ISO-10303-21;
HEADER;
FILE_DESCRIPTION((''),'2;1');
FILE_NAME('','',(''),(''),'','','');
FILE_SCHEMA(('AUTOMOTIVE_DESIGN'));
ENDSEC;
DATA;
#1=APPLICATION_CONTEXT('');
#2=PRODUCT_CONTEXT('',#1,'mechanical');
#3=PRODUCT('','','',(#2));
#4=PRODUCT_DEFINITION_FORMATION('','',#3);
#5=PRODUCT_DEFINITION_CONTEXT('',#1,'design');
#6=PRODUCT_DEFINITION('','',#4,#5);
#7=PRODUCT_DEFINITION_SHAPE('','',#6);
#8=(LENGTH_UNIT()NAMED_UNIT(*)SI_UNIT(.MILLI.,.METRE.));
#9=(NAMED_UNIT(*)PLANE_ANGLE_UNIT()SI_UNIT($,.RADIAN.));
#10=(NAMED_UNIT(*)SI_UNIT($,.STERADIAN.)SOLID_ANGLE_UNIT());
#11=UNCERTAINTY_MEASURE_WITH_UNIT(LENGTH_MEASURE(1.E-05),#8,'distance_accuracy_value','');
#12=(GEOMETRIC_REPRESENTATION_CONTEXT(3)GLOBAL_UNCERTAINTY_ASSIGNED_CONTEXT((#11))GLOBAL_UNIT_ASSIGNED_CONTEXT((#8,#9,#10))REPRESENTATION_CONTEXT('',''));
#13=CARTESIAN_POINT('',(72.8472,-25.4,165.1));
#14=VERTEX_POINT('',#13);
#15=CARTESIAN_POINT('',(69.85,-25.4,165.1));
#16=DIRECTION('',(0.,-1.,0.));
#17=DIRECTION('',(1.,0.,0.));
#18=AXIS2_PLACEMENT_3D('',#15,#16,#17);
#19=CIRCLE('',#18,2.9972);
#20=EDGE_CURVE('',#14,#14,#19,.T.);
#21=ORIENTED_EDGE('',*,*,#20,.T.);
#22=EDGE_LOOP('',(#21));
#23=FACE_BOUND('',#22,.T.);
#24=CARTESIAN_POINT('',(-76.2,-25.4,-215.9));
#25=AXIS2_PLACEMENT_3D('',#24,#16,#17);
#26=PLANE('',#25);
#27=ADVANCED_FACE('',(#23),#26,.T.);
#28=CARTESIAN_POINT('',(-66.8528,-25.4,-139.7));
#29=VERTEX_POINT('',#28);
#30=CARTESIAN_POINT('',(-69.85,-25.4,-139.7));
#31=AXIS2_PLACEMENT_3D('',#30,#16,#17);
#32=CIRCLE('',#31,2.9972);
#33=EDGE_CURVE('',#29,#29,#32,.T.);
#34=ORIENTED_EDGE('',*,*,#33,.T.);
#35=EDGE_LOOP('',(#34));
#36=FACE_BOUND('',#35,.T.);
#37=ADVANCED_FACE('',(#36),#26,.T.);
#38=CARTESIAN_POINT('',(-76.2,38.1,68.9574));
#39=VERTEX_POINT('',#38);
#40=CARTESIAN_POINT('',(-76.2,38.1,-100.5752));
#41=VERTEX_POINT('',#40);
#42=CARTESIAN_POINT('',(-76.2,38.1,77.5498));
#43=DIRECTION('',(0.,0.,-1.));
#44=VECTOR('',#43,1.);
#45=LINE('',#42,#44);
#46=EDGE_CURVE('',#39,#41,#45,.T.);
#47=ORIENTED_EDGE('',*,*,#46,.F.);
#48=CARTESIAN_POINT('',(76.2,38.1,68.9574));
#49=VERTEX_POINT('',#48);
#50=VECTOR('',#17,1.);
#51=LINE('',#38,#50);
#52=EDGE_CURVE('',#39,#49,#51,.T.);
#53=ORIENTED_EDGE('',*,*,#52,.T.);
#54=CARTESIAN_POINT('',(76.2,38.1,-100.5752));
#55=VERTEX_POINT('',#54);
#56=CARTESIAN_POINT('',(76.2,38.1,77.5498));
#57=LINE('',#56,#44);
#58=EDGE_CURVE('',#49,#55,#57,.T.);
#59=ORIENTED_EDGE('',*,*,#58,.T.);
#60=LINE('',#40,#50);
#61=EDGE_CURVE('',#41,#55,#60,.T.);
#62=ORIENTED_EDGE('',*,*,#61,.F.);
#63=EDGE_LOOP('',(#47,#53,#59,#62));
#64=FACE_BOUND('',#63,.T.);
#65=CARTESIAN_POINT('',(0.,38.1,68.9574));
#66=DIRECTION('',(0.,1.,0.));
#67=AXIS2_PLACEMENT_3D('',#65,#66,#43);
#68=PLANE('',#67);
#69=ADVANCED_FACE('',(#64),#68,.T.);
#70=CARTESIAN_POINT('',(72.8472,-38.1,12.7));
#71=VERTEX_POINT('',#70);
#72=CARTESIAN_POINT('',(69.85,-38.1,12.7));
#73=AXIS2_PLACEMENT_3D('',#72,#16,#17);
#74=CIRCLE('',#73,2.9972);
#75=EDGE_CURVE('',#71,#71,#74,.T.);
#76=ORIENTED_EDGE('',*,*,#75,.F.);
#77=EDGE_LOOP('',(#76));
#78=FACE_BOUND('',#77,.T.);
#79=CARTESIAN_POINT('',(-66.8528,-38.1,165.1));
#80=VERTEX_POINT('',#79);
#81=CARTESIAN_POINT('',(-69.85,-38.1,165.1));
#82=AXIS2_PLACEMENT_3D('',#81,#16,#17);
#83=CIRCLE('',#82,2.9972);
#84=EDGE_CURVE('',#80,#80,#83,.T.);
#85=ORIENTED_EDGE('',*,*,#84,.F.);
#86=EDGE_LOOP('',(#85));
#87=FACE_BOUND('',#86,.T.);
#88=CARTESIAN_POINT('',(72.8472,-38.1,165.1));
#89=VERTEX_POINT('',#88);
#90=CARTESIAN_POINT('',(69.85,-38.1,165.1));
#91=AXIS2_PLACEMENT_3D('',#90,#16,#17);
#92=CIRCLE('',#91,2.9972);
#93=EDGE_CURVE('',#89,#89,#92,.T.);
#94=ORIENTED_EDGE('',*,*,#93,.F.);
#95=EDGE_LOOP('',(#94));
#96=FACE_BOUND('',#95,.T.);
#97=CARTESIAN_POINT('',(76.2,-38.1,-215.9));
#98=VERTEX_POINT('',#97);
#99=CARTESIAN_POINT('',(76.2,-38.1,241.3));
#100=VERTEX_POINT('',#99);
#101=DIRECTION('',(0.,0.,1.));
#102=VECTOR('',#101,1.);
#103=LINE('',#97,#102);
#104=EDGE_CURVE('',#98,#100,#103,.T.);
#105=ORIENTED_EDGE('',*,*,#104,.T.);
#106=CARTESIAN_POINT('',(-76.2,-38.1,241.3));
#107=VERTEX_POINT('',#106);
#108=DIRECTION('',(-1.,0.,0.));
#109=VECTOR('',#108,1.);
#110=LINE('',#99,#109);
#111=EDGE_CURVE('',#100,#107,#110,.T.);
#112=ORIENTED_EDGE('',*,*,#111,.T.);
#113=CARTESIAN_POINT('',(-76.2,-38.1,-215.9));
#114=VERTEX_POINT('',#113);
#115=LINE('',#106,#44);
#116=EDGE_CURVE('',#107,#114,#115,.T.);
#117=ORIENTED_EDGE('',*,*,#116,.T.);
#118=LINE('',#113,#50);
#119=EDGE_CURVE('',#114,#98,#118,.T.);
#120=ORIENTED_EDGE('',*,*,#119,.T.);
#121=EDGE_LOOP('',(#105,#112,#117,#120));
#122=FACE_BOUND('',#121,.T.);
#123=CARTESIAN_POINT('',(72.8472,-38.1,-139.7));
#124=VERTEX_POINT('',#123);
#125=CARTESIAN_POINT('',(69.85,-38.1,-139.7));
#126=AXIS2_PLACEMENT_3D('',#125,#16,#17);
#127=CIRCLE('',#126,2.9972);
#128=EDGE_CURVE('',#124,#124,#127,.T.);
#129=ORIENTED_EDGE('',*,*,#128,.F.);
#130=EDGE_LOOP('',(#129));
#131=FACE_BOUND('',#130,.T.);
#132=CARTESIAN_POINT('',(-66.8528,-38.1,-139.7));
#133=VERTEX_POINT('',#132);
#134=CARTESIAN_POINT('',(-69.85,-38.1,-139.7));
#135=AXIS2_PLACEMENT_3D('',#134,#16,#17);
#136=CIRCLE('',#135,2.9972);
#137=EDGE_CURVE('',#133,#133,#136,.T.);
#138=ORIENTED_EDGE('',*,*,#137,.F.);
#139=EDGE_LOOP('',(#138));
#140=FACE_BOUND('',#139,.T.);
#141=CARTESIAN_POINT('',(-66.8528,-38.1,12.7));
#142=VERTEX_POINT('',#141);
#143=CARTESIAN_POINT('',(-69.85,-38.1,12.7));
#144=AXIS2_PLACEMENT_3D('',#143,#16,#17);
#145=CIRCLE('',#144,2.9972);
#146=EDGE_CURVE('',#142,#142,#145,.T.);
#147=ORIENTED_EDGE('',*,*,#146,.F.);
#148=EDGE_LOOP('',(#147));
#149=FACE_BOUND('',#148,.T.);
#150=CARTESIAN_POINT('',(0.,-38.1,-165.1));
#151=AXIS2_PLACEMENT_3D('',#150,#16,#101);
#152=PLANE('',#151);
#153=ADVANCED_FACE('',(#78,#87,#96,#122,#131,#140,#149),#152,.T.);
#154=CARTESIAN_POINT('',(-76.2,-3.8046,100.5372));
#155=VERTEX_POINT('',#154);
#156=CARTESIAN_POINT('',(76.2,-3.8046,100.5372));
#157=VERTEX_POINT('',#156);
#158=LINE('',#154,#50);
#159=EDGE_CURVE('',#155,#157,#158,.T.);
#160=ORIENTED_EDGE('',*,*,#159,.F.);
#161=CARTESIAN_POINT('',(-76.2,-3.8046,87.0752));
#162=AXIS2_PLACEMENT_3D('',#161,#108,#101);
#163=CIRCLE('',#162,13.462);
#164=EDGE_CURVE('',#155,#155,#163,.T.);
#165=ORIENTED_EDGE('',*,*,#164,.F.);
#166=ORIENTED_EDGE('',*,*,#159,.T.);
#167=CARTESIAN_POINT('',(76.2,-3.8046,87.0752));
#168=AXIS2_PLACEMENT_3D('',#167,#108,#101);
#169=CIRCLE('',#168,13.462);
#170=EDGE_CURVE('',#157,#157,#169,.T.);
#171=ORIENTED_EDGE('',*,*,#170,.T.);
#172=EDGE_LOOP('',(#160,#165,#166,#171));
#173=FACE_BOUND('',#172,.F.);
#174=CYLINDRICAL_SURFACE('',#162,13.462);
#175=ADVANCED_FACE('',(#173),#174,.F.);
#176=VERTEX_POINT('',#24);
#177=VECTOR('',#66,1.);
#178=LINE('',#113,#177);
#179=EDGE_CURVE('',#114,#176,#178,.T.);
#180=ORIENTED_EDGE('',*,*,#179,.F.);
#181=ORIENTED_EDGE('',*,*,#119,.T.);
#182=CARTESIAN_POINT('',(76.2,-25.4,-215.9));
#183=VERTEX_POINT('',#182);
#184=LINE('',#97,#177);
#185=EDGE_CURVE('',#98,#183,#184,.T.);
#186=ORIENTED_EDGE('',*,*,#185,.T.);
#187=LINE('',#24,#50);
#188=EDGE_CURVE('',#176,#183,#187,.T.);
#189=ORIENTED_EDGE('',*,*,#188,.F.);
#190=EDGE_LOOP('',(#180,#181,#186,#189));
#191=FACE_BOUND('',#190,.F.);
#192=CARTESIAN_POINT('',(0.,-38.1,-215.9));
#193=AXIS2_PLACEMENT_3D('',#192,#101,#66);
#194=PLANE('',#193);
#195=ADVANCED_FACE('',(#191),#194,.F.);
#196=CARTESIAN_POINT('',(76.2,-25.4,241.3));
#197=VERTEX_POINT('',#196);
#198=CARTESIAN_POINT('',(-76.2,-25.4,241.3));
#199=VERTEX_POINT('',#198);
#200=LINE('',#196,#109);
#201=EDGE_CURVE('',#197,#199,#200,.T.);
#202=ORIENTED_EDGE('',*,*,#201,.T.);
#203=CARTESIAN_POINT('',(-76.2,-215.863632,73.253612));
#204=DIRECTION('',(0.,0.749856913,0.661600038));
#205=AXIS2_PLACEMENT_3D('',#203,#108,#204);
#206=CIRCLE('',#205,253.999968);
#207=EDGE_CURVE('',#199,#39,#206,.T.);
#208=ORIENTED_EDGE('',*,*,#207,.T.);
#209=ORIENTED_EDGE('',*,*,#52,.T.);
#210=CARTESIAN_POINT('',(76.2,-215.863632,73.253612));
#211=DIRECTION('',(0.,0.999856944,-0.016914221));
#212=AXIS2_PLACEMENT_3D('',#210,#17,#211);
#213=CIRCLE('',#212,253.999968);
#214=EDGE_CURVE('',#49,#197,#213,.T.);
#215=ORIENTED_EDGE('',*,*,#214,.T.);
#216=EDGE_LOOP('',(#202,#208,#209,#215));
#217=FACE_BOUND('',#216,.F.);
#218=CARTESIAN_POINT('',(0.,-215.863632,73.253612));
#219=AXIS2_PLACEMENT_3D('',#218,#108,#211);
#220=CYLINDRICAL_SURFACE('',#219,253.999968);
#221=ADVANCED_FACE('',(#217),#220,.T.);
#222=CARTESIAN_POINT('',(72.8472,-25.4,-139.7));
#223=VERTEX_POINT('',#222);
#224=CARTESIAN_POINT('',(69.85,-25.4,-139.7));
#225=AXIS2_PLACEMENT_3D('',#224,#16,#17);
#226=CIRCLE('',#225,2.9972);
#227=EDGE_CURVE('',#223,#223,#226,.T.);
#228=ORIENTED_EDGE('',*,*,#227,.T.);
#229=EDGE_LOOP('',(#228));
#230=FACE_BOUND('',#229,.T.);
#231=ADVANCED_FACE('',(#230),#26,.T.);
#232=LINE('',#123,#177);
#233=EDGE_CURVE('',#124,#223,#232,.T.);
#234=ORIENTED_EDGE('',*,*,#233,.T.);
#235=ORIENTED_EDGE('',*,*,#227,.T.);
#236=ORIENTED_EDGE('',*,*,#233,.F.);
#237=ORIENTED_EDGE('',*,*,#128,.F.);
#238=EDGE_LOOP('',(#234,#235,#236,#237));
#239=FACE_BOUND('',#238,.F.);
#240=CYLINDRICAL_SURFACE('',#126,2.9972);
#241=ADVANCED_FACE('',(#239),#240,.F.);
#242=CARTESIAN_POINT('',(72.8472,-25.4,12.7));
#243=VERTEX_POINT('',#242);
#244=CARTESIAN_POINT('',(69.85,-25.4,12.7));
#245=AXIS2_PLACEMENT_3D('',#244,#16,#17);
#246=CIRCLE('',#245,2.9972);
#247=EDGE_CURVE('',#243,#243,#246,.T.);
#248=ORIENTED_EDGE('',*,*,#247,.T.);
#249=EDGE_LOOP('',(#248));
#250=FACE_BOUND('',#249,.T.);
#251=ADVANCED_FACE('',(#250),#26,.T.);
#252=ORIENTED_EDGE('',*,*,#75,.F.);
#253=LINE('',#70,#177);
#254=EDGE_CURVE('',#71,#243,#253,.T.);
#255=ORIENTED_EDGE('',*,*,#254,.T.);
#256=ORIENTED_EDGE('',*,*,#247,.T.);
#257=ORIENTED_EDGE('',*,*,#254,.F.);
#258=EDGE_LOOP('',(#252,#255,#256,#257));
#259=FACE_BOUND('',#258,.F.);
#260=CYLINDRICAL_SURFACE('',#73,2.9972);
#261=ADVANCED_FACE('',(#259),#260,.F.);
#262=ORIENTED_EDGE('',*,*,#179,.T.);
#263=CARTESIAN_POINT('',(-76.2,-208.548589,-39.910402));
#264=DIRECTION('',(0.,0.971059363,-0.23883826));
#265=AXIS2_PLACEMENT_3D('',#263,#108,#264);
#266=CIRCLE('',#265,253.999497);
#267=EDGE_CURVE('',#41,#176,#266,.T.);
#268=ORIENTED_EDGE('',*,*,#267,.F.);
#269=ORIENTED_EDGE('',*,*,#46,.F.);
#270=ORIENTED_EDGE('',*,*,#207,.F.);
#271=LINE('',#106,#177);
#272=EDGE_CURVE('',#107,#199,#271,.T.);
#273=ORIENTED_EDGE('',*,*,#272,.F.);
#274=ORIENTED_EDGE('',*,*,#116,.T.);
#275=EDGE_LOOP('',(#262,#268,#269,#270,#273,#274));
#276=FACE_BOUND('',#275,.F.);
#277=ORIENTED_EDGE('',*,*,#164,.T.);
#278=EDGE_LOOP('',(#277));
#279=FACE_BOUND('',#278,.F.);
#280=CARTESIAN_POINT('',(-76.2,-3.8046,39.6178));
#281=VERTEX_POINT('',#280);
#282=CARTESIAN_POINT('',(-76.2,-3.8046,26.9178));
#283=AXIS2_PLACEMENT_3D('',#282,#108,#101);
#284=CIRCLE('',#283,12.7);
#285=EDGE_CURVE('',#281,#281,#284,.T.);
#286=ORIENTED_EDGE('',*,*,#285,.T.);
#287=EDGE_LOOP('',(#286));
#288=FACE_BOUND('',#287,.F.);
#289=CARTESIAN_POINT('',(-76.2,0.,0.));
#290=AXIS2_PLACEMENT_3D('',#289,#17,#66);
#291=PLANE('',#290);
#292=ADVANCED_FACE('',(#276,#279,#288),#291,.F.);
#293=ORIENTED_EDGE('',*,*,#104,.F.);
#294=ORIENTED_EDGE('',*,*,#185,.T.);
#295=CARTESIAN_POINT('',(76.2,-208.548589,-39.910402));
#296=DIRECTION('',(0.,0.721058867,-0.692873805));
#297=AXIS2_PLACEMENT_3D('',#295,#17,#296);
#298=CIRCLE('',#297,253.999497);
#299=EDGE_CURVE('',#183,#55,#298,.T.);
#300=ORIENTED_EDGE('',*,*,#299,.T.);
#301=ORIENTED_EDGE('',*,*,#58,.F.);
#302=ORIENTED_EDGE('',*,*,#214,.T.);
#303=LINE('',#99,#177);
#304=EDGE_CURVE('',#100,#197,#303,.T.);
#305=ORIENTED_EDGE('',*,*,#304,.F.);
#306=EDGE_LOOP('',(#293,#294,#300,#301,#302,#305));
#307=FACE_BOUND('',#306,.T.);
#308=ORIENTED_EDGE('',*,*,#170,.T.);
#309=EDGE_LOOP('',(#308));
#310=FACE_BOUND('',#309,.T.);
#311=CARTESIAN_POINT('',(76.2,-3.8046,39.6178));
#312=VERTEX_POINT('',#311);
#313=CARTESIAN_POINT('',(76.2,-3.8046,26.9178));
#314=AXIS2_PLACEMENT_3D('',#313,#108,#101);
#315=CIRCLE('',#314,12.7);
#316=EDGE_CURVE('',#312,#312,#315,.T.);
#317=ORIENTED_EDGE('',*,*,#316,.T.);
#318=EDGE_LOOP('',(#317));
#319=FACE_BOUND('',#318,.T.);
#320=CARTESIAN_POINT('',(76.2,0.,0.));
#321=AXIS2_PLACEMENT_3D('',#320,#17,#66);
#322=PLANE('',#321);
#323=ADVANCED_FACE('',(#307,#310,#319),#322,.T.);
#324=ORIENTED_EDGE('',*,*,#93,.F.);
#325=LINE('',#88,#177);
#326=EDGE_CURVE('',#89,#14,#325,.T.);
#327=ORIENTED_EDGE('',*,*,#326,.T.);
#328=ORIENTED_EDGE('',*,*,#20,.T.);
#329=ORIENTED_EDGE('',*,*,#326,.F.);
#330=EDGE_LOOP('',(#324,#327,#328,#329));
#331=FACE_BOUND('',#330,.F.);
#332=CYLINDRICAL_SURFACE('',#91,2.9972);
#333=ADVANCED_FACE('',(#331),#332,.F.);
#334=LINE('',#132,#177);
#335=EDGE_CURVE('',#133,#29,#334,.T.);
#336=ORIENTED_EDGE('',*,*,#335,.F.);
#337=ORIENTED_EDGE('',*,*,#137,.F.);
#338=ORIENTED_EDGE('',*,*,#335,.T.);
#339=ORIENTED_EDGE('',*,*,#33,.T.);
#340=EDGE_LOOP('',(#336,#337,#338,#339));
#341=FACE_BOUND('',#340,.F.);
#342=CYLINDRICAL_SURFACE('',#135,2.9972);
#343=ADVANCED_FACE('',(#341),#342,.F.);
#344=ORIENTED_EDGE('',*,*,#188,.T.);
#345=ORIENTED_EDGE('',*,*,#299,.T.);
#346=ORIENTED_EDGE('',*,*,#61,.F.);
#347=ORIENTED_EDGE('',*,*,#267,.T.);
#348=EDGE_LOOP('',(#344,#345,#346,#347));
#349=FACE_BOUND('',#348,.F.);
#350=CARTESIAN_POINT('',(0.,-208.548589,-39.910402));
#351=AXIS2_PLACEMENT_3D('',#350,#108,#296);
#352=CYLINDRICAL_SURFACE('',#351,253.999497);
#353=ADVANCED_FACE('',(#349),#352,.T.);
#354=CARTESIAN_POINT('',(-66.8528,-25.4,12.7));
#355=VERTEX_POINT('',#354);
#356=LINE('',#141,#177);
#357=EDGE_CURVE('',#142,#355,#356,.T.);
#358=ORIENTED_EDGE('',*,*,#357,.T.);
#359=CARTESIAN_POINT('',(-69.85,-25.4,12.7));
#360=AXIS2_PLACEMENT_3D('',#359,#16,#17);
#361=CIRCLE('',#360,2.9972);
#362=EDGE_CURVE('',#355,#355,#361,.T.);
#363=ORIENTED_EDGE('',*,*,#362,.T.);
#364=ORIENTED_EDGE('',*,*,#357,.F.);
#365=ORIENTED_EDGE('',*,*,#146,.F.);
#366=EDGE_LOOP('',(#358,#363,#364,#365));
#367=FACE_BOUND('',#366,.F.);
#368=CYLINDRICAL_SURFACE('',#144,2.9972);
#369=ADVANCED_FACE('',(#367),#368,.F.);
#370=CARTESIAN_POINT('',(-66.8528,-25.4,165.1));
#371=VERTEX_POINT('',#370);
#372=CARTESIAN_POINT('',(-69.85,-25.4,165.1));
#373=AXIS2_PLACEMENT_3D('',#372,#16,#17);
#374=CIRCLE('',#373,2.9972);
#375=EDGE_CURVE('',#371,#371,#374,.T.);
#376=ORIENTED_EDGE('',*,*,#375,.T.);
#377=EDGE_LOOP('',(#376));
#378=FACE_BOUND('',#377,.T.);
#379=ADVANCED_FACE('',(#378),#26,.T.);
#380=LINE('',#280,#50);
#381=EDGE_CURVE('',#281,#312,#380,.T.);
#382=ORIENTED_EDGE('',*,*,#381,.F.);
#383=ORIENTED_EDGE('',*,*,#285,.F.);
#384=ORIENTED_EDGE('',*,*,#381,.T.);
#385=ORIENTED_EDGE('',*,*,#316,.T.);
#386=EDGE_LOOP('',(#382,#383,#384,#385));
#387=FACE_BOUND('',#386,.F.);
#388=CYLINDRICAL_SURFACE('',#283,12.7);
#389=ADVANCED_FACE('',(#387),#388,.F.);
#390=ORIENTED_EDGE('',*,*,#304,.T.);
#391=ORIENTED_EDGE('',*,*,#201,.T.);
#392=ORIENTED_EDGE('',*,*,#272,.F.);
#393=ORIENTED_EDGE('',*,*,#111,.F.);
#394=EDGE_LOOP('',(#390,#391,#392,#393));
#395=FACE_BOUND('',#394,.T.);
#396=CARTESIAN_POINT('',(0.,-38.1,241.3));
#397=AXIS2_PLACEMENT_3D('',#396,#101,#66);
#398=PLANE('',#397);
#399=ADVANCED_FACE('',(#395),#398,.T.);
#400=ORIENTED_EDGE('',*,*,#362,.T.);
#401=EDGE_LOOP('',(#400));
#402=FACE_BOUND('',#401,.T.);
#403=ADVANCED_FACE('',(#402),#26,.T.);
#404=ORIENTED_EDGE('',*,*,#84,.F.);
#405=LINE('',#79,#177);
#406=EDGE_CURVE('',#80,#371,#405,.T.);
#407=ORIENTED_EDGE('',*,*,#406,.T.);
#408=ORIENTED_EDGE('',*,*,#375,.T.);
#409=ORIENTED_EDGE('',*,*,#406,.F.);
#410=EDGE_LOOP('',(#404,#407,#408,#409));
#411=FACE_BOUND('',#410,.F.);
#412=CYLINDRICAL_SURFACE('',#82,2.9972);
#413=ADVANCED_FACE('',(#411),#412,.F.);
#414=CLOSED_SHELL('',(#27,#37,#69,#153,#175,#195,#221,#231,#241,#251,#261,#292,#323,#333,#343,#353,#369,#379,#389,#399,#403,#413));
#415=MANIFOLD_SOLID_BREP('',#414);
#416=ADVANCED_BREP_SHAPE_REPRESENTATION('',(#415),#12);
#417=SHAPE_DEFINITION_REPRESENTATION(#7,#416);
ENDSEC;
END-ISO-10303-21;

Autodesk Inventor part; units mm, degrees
ref_plane "YZ Plane" through (0, 0, 0) normal (1, 0, 0) x (0, 1, 0)
ref_plane "XZ Plane" through (0, 0, 0) normal (0, 1, 0) x (-1, 0, 0)
ref_plane "XY Plane" through (0, 0, 0) normal (0, 0, 1) x (1, 0, 0)
sketch "Sketch1" plane through (0, 0, 0) normal (1, 0, 0) x (0, 1, 0)
  line L0 (-38.1, -165.1) -> (-38.1, 165.1)
  line L1 (-38.1, 165.1) -> (20.949, 165.1)
  line L2 (38.1, 77.5498) -> (38.1, -100.5752)
  line L3 (12.4566, -165.1) -> (-38.1, -165.1)
  line L4 (-38.1, -165.1) -> (38.1, 165.1) construction
  line L5 (-38.1, 165.1) -> (38.1, -165.1) construction
  line L6 (-38.1, -165.1) -> (-38.1, -215.9)
  line L7 (-38.1, -215.9) -> (-25.4, -215.9)
  line L8 (-25.4, -215.9) -> (-25.4, -165.1)
  line L9 (-38.1, 165.1) -> (-38.1, 241.3)
  line L10 (-38.1, 241.3) -> (-25.4, 241.3)
  line L11 (-25.4, 241.3) -> (-25.4, 165.1)
  line L12 (-38.1, -139.7) -> (38.1, -139.7) construction
  line L13 (-38.1, 12.7) -> (38.1, 12.7) construction
  line L14 (-38.1, 165.1) -> (38.1, 165.1) construction
  arc A0 (38.1, 68.9574) -> (-25.4, 241.3) centre (-215.8637, 73.2536) ccw
  arc A1 (-25.4, -215.9) -> (38.1, -100.5752) centre (-208.549, -39.9101) ccw
  point P0 (0, 0)
  dimension "d0" = 330.2
  dimension "d1" = 76.2
  dimension "d2" = 50.8
  dimension "d3" = 12.7
  dimension "d5" = 76.2
  dimension "d6" = 12.7
  dimension "d9" = 152.4
  dimension "d10" = 76.2
  dimension "d11" = 152.4
  dimension "d37" = 254
  dimension "d38" = 254
extrude "Extrusion1" add sketch "Sketch1" along normal mid plane 152.4
sketch "Sketch3" plane through (-76.2, -38.1, -215.9) normal (0, -1, 0) x (1, 0, 0)
  circle A0 centre (6.35, 76.2) radius 2.9972
  line L0 (0, 0) -> (0, 457.2) projected
  line L1 (0, 0) -> (152.4, 0) projected
  circle A1 centre (146.05, 76.2) radius 2.9972
  circle A2 centre (6.35, 228.6) radius 2.9972
  circle A3 centre (146.05, 228.6) radius 2.9972
  circle A4 centre (6.35, 381) radius 2.9972
  circle A5 centre (146.05, 381) radius 2.9972
  point P0 (76.2, 215.9)
  dimension "d14" = 5.9944
  dimension "d15" = 6.35
  dimension "d16" = 76.2
  dimension "d19" = 139.7
  dimension "d22" = 152.4
extrude "Extrusion2" cut sketch "Sketch3" against normal blind 12.7
ref_plane "Work Plane1" through (0, 0, 0) normal (1, 0, 0) x (0, 0, -1)
sketch "Sketch5" plane through (-76.2, 0, 0) normal (-1, 0, 0) x (0, 0, 1)
  circle A0 centre (87.0752, -3.8046) radius 13.462 projected
  point P0 (0, 0)
extrude "Extrusion4" cut sketch "Sketch5" against normal through all
sketch "Sketch6" plane through (-76.2, 0, 0) normal (-1, 0, 0) x (0, 0, 1)
  circle A0 centre (26.9178, -3.8046) radius 12.7
  point P0 (0, 0)
  dimension "d41" = 25.4
extrude "Extrusion5" cut sketch "Sketch6" against normal through all
properties part number "WingBox"
